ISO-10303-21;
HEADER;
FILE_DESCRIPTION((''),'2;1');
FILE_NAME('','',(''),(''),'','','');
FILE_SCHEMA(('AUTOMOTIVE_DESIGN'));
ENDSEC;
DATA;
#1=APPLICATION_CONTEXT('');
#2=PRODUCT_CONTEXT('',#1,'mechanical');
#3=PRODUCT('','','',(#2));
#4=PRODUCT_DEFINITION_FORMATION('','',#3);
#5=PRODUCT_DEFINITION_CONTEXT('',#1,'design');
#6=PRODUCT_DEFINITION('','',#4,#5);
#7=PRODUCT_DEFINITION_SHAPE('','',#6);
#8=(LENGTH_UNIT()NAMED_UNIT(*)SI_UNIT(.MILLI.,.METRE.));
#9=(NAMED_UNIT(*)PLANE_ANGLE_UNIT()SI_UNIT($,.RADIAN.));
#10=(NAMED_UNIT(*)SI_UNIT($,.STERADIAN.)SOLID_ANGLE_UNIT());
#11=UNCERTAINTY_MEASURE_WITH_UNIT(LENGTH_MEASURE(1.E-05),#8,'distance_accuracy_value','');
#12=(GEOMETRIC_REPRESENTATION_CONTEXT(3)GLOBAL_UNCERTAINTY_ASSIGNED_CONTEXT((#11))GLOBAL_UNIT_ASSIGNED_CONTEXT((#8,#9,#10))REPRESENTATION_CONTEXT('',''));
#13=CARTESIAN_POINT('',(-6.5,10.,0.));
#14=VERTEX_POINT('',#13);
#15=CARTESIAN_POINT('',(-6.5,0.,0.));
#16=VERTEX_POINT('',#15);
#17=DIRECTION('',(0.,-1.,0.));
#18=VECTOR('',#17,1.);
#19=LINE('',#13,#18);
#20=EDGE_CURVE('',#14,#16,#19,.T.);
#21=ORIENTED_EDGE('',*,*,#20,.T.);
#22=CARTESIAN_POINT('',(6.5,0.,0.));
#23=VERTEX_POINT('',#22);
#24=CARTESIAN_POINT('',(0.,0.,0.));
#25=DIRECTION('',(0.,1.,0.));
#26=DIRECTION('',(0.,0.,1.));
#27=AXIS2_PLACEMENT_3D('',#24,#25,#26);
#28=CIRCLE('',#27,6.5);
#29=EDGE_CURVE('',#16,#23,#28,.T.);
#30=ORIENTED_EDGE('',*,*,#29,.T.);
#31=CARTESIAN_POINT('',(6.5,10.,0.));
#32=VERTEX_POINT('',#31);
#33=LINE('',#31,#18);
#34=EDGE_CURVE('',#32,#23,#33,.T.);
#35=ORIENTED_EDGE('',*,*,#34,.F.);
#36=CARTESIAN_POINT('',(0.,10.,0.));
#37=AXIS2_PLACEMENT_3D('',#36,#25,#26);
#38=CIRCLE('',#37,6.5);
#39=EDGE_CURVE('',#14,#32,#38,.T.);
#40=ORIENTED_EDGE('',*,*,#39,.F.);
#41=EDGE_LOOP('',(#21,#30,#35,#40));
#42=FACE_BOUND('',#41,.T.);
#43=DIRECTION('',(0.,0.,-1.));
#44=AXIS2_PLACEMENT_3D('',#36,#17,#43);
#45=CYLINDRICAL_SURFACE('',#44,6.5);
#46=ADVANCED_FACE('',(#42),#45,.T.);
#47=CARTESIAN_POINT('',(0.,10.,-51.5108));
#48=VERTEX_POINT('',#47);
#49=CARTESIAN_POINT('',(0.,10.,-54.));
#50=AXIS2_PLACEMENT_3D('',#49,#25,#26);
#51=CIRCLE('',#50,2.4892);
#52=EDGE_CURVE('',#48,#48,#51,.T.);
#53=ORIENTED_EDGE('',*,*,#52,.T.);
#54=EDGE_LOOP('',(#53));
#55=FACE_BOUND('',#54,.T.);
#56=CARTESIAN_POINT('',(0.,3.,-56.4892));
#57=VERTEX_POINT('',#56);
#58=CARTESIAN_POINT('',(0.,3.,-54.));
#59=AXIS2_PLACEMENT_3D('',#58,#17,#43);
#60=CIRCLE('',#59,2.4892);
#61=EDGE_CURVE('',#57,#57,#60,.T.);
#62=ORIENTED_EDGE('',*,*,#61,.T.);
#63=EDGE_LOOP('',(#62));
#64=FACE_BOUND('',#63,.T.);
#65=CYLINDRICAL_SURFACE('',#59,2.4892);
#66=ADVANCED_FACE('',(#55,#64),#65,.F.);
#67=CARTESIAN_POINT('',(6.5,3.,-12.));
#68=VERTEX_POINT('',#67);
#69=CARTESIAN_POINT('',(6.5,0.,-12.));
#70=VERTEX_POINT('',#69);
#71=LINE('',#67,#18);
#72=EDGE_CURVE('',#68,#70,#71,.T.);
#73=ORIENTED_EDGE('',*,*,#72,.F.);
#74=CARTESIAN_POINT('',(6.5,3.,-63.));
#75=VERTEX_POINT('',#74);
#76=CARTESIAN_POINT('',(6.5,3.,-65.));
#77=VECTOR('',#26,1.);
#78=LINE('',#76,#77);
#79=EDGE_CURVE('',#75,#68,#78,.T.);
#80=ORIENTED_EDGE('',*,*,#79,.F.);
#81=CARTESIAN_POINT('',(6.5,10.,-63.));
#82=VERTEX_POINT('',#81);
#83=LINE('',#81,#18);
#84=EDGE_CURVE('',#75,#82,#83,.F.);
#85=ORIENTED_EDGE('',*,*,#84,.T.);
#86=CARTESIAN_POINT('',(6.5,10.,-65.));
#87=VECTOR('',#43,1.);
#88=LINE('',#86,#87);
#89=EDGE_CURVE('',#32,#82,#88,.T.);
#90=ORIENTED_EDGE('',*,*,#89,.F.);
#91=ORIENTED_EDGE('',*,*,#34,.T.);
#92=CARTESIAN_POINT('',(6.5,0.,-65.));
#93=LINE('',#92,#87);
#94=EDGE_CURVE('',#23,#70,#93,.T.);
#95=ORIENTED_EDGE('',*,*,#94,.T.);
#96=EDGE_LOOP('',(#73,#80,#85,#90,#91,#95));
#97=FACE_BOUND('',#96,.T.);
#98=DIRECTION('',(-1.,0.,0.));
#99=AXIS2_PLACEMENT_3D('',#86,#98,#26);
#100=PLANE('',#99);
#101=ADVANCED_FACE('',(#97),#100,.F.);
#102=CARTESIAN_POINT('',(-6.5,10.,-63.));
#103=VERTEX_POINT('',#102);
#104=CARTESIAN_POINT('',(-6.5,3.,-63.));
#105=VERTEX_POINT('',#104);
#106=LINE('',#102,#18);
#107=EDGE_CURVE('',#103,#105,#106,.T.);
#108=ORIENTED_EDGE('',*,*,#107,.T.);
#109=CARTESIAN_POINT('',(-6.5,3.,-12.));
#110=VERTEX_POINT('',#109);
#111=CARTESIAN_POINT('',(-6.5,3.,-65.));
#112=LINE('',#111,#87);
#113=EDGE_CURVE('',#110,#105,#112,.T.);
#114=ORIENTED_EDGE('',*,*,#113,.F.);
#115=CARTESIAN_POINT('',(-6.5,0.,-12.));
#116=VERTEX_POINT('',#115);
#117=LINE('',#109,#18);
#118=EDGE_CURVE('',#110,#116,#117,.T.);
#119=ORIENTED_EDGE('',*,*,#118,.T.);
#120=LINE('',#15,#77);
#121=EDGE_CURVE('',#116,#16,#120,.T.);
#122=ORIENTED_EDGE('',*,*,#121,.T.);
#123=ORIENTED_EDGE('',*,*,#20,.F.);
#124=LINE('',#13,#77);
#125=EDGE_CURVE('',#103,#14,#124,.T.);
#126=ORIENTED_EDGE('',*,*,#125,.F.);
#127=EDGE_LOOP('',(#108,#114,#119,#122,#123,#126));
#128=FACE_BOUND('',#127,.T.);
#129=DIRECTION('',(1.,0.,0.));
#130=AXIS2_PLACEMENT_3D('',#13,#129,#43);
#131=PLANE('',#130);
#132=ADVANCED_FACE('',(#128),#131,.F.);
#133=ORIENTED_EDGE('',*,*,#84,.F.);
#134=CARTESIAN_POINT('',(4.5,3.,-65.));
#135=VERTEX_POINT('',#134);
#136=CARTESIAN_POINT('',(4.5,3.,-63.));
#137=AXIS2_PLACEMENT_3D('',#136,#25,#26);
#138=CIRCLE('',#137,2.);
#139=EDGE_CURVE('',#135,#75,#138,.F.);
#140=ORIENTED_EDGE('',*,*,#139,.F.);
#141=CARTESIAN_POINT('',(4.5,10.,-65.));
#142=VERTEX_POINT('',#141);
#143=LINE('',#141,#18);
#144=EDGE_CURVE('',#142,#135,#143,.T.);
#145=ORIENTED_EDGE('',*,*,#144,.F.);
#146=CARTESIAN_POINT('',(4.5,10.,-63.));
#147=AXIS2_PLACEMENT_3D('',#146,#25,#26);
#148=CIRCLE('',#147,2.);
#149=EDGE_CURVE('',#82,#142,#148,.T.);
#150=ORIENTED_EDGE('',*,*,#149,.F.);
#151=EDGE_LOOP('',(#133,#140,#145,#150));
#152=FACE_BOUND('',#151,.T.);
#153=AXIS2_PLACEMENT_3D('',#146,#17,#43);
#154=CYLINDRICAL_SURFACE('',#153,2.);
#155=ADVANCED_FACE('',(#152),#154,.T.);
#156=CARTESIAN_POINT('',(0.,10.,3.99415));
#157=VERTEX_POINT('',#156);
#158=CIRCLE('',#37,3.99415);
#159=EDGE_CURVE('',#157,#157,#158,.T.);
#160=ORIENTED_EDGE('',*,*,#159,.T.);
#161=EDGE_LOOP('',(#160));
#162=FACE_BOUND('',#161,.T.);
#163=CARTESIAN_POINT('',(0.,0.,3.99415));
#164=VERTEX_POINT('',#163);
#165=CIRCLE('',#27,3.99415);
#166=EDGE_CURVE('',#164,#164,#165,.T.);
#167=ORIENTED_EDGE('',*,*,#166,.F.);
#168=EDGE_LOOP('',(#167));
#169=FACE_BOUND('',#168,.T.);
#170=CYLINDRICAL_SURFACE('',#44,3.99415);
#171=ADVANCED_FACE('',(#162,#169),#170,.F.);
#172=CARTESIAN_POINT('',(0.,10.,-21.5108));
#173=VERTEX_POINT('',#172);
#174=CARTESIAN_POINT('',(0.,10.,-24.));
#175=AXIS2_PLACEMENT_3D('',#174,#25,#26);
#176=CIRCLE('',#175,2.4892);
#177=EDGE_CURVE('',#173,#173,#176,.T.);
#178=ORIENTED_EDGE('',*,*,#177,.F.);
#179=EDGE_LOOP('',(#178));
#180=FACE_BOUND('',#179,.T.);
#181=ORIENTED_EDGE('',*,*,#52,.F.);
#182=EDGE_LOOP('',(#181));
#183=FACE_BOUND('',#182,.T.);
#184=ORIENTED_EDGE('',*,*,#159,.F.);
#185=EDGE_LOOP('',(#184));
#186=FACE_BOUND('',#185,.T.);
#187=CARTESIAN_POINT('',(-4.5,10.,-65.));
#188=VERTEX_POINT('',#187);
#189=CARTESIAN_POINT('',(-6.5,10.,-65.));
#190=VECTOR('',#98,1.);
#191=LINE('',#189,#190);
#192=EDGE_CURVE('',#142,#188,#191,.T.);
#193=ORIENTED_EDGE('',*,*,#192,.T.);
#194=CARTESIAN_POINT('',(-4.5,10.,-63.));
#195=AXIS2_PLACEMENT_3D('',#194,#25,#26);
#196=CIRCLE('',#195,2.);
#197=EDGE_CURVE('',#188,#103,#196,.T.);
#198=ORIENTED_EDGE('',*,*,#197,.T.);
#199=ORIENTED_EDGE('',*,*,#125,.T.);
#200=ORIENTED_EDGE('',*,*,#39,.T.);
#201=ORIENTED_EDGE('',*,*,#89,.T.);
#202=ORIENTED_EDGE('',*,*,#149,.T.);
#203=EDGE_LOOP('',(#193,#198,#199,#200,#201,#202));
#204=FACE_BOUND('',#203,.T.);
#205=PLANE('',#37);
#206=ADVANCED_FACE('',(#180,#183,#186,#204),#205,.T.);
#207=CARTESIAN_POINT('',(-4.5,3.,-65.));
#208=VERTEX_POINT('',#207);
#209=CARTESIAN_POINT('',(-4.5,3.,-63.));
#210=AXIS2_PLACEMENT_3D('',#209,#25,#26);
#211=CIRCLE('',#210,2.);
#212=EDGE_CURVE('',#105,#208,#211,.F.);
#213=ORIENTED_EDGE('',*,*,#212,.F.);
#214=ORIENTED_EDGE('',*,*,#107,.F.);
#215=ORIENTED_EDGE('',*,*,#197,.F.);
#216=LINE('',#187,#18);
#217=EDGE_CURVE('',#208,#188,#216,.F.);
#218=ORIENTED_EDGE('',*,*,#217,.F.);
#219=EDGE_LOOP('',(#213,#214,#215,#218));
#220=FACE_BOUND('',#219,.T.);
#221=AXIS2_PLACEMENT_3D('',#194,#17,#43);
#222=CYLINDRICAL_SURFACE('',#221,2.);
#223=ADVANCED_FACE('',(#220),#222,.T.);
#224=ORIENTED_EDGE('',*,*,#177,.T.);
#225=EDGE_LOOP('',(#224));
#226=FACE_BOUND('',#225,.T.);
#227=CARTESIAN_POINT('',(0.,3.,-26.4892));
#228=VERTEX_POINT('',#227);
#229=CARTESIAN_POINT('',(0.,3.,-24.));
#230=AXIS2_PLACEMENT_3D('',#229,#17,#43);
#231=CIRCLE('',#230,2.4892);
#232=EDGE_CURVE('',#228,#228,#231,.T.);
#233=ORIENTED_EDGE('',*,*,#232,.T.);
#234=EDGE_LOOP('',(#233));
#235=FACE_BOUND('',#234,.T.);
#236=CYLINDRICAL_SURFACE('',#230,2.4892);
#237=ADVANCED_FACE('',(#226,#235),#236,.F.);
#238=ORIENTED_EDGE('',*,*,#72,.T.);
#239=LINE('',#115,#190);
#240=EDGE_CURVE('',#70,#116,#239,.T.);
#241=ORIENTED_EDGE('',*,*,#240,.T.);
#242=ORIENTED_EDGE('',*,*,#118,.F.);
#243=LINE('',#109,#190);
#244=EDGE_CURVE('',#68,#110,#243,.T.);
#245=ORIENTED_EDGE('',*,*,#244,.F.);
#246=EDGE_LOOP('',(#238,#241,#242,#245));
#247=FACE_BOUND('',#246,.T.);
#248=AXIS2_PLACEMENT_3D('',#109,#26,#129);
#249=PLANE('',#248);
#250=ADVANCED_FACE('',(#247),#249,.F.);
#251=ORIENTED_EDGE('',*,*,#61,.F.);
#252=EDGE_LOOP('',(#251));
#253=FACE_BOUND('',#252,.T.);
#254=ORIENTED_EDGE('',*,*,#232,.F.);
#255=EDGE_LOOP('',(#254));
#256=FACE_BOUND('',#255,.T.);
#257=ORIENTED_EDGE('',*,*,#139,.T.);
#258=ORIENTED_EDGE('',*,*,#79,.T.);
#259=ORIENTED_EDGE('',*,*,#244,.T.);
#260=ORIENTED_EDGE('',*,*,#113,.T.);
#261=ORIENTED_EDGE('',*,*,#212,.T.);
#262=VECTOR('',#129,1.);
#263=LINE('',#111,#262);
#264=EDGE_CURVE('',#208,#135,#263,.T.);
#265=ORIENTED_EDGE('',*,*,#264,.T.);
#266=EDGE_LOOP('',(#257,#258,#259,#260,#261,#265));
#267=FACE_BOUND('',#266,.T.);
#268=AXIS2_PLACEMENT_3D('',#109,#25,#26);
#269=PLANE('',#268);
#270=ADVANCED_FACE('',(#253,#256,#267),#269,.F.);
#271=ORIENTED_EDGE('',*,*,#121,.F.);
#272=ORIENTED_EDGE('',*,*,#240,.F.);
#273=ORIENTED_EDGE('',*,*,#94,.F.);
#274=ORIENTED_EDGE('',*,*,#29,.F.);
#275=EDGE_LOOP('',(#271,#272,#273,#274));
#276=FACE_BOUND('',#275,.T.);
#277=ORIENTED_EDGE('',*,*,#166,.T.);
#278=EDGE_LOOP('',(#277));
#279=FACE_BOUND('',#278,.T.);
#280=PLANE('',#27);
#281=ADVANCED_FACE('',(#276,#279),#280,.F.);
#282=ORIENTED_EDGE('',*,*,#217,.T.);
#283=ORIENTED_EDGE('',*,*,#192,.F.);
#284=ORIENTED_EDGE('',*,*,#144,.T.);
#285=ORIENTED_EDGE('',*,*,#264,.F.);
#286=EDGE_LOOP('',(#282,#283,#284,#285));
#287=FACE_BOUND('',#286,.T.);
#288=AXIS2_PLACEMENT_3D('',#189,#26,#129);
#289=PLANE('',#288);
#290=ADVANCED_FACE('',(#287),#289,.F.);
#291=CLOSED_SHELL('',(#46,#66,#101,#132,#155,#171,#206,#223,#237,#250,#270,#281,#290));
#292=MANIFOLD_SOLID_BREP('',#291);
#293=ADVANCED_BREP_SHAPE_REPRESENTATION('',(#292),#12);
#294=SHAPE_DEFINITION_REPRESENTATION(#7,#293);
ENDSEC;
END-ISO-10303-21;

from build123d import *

# Parameters (mm, degrees)
SKETCH1_R                  = 3.99415
BOSS_EXTRUDE1_DEPTH        = 10
SKETCH2_W                  = 13
SKETCH2_H                  = 53
CUT_EXTRUDE1_DEPTH         = 3
F_10_CLEARANCE_HOLE1_D     = 4.9784
F_10_CLEARANCE_HOLE1_DEPTH = 40
F_10_CLEARANCE_HOLE1_TIP   = 1.495662253
FILLET1_R                  = 2


with BuildPart() as part:
    # Sketch1 → Boss-Extrude1 (new body)
    with BuildSketch(Plane(origin=(0, 0, 0), x_dir=(1, 0, 0), z_dir=(0, 1, 0))):
        with BuildLine():
            Line((-6.5, 0), (-6.5, 65))
            Line((-6.5, 65), (6.5, 65))
            Line((6.5, 65), (6.5, 0))
            ThreePointArc((6.5, 0), (0, -6.5), (-6.5, 0))
        make_face()
        with Locations(Location((0, 0, 0), (0, 0, 270))):  # turned: the seam where the file's is
            Circle(SKETCH1_R, mode=Mode.SUBTRACT)
    extrude(amount=BOSS_EXTRUDE1_DEPTH)

    # Sketch2 → Cut-Extrude1 (cut)
    with BuildSketch(Plane.XZ):
        with Locations((0, -38.5)):
            Rectangle(SKETCH2_W, SKETCH2_H)
    extrude(amount=-CUT_EXTRUDE1_DEPTH, mode=Mode.SUBTRACT)

    # #10 Clearance Hole1
    with Locations(Plane.XZ.offset(-3)):
        with Locations((0, -54), (0, -24)):
            Hole(F_10_CLEARANCE_HOLE1_D / 2, depth=F_10_CLEARANCE_HOLE1_DEPTH)
            with Locations((0, 0, -(F_10_CLEARANCE_HOLE1_DEPTH + F_10_CLEARANCE_HOLE1_TIP / 2))):  # 118° drill point
                Cone(0, F_10_CLEARANCE_HOLE1_D / 2, F_10_CLEARANCE_HOLE1_TIP, mode=Mode.SUBTRACT)

    # Fillet1
    fillet1_edges = [part.edges().sort_by_distance(p)[0] for p in [
        (-6.5, 6.5, -65),
        (6.5, 6.5, -65),
    ]]
    fillet(fillet1_edges, radius=FILLET1_R)


solid = part.part
